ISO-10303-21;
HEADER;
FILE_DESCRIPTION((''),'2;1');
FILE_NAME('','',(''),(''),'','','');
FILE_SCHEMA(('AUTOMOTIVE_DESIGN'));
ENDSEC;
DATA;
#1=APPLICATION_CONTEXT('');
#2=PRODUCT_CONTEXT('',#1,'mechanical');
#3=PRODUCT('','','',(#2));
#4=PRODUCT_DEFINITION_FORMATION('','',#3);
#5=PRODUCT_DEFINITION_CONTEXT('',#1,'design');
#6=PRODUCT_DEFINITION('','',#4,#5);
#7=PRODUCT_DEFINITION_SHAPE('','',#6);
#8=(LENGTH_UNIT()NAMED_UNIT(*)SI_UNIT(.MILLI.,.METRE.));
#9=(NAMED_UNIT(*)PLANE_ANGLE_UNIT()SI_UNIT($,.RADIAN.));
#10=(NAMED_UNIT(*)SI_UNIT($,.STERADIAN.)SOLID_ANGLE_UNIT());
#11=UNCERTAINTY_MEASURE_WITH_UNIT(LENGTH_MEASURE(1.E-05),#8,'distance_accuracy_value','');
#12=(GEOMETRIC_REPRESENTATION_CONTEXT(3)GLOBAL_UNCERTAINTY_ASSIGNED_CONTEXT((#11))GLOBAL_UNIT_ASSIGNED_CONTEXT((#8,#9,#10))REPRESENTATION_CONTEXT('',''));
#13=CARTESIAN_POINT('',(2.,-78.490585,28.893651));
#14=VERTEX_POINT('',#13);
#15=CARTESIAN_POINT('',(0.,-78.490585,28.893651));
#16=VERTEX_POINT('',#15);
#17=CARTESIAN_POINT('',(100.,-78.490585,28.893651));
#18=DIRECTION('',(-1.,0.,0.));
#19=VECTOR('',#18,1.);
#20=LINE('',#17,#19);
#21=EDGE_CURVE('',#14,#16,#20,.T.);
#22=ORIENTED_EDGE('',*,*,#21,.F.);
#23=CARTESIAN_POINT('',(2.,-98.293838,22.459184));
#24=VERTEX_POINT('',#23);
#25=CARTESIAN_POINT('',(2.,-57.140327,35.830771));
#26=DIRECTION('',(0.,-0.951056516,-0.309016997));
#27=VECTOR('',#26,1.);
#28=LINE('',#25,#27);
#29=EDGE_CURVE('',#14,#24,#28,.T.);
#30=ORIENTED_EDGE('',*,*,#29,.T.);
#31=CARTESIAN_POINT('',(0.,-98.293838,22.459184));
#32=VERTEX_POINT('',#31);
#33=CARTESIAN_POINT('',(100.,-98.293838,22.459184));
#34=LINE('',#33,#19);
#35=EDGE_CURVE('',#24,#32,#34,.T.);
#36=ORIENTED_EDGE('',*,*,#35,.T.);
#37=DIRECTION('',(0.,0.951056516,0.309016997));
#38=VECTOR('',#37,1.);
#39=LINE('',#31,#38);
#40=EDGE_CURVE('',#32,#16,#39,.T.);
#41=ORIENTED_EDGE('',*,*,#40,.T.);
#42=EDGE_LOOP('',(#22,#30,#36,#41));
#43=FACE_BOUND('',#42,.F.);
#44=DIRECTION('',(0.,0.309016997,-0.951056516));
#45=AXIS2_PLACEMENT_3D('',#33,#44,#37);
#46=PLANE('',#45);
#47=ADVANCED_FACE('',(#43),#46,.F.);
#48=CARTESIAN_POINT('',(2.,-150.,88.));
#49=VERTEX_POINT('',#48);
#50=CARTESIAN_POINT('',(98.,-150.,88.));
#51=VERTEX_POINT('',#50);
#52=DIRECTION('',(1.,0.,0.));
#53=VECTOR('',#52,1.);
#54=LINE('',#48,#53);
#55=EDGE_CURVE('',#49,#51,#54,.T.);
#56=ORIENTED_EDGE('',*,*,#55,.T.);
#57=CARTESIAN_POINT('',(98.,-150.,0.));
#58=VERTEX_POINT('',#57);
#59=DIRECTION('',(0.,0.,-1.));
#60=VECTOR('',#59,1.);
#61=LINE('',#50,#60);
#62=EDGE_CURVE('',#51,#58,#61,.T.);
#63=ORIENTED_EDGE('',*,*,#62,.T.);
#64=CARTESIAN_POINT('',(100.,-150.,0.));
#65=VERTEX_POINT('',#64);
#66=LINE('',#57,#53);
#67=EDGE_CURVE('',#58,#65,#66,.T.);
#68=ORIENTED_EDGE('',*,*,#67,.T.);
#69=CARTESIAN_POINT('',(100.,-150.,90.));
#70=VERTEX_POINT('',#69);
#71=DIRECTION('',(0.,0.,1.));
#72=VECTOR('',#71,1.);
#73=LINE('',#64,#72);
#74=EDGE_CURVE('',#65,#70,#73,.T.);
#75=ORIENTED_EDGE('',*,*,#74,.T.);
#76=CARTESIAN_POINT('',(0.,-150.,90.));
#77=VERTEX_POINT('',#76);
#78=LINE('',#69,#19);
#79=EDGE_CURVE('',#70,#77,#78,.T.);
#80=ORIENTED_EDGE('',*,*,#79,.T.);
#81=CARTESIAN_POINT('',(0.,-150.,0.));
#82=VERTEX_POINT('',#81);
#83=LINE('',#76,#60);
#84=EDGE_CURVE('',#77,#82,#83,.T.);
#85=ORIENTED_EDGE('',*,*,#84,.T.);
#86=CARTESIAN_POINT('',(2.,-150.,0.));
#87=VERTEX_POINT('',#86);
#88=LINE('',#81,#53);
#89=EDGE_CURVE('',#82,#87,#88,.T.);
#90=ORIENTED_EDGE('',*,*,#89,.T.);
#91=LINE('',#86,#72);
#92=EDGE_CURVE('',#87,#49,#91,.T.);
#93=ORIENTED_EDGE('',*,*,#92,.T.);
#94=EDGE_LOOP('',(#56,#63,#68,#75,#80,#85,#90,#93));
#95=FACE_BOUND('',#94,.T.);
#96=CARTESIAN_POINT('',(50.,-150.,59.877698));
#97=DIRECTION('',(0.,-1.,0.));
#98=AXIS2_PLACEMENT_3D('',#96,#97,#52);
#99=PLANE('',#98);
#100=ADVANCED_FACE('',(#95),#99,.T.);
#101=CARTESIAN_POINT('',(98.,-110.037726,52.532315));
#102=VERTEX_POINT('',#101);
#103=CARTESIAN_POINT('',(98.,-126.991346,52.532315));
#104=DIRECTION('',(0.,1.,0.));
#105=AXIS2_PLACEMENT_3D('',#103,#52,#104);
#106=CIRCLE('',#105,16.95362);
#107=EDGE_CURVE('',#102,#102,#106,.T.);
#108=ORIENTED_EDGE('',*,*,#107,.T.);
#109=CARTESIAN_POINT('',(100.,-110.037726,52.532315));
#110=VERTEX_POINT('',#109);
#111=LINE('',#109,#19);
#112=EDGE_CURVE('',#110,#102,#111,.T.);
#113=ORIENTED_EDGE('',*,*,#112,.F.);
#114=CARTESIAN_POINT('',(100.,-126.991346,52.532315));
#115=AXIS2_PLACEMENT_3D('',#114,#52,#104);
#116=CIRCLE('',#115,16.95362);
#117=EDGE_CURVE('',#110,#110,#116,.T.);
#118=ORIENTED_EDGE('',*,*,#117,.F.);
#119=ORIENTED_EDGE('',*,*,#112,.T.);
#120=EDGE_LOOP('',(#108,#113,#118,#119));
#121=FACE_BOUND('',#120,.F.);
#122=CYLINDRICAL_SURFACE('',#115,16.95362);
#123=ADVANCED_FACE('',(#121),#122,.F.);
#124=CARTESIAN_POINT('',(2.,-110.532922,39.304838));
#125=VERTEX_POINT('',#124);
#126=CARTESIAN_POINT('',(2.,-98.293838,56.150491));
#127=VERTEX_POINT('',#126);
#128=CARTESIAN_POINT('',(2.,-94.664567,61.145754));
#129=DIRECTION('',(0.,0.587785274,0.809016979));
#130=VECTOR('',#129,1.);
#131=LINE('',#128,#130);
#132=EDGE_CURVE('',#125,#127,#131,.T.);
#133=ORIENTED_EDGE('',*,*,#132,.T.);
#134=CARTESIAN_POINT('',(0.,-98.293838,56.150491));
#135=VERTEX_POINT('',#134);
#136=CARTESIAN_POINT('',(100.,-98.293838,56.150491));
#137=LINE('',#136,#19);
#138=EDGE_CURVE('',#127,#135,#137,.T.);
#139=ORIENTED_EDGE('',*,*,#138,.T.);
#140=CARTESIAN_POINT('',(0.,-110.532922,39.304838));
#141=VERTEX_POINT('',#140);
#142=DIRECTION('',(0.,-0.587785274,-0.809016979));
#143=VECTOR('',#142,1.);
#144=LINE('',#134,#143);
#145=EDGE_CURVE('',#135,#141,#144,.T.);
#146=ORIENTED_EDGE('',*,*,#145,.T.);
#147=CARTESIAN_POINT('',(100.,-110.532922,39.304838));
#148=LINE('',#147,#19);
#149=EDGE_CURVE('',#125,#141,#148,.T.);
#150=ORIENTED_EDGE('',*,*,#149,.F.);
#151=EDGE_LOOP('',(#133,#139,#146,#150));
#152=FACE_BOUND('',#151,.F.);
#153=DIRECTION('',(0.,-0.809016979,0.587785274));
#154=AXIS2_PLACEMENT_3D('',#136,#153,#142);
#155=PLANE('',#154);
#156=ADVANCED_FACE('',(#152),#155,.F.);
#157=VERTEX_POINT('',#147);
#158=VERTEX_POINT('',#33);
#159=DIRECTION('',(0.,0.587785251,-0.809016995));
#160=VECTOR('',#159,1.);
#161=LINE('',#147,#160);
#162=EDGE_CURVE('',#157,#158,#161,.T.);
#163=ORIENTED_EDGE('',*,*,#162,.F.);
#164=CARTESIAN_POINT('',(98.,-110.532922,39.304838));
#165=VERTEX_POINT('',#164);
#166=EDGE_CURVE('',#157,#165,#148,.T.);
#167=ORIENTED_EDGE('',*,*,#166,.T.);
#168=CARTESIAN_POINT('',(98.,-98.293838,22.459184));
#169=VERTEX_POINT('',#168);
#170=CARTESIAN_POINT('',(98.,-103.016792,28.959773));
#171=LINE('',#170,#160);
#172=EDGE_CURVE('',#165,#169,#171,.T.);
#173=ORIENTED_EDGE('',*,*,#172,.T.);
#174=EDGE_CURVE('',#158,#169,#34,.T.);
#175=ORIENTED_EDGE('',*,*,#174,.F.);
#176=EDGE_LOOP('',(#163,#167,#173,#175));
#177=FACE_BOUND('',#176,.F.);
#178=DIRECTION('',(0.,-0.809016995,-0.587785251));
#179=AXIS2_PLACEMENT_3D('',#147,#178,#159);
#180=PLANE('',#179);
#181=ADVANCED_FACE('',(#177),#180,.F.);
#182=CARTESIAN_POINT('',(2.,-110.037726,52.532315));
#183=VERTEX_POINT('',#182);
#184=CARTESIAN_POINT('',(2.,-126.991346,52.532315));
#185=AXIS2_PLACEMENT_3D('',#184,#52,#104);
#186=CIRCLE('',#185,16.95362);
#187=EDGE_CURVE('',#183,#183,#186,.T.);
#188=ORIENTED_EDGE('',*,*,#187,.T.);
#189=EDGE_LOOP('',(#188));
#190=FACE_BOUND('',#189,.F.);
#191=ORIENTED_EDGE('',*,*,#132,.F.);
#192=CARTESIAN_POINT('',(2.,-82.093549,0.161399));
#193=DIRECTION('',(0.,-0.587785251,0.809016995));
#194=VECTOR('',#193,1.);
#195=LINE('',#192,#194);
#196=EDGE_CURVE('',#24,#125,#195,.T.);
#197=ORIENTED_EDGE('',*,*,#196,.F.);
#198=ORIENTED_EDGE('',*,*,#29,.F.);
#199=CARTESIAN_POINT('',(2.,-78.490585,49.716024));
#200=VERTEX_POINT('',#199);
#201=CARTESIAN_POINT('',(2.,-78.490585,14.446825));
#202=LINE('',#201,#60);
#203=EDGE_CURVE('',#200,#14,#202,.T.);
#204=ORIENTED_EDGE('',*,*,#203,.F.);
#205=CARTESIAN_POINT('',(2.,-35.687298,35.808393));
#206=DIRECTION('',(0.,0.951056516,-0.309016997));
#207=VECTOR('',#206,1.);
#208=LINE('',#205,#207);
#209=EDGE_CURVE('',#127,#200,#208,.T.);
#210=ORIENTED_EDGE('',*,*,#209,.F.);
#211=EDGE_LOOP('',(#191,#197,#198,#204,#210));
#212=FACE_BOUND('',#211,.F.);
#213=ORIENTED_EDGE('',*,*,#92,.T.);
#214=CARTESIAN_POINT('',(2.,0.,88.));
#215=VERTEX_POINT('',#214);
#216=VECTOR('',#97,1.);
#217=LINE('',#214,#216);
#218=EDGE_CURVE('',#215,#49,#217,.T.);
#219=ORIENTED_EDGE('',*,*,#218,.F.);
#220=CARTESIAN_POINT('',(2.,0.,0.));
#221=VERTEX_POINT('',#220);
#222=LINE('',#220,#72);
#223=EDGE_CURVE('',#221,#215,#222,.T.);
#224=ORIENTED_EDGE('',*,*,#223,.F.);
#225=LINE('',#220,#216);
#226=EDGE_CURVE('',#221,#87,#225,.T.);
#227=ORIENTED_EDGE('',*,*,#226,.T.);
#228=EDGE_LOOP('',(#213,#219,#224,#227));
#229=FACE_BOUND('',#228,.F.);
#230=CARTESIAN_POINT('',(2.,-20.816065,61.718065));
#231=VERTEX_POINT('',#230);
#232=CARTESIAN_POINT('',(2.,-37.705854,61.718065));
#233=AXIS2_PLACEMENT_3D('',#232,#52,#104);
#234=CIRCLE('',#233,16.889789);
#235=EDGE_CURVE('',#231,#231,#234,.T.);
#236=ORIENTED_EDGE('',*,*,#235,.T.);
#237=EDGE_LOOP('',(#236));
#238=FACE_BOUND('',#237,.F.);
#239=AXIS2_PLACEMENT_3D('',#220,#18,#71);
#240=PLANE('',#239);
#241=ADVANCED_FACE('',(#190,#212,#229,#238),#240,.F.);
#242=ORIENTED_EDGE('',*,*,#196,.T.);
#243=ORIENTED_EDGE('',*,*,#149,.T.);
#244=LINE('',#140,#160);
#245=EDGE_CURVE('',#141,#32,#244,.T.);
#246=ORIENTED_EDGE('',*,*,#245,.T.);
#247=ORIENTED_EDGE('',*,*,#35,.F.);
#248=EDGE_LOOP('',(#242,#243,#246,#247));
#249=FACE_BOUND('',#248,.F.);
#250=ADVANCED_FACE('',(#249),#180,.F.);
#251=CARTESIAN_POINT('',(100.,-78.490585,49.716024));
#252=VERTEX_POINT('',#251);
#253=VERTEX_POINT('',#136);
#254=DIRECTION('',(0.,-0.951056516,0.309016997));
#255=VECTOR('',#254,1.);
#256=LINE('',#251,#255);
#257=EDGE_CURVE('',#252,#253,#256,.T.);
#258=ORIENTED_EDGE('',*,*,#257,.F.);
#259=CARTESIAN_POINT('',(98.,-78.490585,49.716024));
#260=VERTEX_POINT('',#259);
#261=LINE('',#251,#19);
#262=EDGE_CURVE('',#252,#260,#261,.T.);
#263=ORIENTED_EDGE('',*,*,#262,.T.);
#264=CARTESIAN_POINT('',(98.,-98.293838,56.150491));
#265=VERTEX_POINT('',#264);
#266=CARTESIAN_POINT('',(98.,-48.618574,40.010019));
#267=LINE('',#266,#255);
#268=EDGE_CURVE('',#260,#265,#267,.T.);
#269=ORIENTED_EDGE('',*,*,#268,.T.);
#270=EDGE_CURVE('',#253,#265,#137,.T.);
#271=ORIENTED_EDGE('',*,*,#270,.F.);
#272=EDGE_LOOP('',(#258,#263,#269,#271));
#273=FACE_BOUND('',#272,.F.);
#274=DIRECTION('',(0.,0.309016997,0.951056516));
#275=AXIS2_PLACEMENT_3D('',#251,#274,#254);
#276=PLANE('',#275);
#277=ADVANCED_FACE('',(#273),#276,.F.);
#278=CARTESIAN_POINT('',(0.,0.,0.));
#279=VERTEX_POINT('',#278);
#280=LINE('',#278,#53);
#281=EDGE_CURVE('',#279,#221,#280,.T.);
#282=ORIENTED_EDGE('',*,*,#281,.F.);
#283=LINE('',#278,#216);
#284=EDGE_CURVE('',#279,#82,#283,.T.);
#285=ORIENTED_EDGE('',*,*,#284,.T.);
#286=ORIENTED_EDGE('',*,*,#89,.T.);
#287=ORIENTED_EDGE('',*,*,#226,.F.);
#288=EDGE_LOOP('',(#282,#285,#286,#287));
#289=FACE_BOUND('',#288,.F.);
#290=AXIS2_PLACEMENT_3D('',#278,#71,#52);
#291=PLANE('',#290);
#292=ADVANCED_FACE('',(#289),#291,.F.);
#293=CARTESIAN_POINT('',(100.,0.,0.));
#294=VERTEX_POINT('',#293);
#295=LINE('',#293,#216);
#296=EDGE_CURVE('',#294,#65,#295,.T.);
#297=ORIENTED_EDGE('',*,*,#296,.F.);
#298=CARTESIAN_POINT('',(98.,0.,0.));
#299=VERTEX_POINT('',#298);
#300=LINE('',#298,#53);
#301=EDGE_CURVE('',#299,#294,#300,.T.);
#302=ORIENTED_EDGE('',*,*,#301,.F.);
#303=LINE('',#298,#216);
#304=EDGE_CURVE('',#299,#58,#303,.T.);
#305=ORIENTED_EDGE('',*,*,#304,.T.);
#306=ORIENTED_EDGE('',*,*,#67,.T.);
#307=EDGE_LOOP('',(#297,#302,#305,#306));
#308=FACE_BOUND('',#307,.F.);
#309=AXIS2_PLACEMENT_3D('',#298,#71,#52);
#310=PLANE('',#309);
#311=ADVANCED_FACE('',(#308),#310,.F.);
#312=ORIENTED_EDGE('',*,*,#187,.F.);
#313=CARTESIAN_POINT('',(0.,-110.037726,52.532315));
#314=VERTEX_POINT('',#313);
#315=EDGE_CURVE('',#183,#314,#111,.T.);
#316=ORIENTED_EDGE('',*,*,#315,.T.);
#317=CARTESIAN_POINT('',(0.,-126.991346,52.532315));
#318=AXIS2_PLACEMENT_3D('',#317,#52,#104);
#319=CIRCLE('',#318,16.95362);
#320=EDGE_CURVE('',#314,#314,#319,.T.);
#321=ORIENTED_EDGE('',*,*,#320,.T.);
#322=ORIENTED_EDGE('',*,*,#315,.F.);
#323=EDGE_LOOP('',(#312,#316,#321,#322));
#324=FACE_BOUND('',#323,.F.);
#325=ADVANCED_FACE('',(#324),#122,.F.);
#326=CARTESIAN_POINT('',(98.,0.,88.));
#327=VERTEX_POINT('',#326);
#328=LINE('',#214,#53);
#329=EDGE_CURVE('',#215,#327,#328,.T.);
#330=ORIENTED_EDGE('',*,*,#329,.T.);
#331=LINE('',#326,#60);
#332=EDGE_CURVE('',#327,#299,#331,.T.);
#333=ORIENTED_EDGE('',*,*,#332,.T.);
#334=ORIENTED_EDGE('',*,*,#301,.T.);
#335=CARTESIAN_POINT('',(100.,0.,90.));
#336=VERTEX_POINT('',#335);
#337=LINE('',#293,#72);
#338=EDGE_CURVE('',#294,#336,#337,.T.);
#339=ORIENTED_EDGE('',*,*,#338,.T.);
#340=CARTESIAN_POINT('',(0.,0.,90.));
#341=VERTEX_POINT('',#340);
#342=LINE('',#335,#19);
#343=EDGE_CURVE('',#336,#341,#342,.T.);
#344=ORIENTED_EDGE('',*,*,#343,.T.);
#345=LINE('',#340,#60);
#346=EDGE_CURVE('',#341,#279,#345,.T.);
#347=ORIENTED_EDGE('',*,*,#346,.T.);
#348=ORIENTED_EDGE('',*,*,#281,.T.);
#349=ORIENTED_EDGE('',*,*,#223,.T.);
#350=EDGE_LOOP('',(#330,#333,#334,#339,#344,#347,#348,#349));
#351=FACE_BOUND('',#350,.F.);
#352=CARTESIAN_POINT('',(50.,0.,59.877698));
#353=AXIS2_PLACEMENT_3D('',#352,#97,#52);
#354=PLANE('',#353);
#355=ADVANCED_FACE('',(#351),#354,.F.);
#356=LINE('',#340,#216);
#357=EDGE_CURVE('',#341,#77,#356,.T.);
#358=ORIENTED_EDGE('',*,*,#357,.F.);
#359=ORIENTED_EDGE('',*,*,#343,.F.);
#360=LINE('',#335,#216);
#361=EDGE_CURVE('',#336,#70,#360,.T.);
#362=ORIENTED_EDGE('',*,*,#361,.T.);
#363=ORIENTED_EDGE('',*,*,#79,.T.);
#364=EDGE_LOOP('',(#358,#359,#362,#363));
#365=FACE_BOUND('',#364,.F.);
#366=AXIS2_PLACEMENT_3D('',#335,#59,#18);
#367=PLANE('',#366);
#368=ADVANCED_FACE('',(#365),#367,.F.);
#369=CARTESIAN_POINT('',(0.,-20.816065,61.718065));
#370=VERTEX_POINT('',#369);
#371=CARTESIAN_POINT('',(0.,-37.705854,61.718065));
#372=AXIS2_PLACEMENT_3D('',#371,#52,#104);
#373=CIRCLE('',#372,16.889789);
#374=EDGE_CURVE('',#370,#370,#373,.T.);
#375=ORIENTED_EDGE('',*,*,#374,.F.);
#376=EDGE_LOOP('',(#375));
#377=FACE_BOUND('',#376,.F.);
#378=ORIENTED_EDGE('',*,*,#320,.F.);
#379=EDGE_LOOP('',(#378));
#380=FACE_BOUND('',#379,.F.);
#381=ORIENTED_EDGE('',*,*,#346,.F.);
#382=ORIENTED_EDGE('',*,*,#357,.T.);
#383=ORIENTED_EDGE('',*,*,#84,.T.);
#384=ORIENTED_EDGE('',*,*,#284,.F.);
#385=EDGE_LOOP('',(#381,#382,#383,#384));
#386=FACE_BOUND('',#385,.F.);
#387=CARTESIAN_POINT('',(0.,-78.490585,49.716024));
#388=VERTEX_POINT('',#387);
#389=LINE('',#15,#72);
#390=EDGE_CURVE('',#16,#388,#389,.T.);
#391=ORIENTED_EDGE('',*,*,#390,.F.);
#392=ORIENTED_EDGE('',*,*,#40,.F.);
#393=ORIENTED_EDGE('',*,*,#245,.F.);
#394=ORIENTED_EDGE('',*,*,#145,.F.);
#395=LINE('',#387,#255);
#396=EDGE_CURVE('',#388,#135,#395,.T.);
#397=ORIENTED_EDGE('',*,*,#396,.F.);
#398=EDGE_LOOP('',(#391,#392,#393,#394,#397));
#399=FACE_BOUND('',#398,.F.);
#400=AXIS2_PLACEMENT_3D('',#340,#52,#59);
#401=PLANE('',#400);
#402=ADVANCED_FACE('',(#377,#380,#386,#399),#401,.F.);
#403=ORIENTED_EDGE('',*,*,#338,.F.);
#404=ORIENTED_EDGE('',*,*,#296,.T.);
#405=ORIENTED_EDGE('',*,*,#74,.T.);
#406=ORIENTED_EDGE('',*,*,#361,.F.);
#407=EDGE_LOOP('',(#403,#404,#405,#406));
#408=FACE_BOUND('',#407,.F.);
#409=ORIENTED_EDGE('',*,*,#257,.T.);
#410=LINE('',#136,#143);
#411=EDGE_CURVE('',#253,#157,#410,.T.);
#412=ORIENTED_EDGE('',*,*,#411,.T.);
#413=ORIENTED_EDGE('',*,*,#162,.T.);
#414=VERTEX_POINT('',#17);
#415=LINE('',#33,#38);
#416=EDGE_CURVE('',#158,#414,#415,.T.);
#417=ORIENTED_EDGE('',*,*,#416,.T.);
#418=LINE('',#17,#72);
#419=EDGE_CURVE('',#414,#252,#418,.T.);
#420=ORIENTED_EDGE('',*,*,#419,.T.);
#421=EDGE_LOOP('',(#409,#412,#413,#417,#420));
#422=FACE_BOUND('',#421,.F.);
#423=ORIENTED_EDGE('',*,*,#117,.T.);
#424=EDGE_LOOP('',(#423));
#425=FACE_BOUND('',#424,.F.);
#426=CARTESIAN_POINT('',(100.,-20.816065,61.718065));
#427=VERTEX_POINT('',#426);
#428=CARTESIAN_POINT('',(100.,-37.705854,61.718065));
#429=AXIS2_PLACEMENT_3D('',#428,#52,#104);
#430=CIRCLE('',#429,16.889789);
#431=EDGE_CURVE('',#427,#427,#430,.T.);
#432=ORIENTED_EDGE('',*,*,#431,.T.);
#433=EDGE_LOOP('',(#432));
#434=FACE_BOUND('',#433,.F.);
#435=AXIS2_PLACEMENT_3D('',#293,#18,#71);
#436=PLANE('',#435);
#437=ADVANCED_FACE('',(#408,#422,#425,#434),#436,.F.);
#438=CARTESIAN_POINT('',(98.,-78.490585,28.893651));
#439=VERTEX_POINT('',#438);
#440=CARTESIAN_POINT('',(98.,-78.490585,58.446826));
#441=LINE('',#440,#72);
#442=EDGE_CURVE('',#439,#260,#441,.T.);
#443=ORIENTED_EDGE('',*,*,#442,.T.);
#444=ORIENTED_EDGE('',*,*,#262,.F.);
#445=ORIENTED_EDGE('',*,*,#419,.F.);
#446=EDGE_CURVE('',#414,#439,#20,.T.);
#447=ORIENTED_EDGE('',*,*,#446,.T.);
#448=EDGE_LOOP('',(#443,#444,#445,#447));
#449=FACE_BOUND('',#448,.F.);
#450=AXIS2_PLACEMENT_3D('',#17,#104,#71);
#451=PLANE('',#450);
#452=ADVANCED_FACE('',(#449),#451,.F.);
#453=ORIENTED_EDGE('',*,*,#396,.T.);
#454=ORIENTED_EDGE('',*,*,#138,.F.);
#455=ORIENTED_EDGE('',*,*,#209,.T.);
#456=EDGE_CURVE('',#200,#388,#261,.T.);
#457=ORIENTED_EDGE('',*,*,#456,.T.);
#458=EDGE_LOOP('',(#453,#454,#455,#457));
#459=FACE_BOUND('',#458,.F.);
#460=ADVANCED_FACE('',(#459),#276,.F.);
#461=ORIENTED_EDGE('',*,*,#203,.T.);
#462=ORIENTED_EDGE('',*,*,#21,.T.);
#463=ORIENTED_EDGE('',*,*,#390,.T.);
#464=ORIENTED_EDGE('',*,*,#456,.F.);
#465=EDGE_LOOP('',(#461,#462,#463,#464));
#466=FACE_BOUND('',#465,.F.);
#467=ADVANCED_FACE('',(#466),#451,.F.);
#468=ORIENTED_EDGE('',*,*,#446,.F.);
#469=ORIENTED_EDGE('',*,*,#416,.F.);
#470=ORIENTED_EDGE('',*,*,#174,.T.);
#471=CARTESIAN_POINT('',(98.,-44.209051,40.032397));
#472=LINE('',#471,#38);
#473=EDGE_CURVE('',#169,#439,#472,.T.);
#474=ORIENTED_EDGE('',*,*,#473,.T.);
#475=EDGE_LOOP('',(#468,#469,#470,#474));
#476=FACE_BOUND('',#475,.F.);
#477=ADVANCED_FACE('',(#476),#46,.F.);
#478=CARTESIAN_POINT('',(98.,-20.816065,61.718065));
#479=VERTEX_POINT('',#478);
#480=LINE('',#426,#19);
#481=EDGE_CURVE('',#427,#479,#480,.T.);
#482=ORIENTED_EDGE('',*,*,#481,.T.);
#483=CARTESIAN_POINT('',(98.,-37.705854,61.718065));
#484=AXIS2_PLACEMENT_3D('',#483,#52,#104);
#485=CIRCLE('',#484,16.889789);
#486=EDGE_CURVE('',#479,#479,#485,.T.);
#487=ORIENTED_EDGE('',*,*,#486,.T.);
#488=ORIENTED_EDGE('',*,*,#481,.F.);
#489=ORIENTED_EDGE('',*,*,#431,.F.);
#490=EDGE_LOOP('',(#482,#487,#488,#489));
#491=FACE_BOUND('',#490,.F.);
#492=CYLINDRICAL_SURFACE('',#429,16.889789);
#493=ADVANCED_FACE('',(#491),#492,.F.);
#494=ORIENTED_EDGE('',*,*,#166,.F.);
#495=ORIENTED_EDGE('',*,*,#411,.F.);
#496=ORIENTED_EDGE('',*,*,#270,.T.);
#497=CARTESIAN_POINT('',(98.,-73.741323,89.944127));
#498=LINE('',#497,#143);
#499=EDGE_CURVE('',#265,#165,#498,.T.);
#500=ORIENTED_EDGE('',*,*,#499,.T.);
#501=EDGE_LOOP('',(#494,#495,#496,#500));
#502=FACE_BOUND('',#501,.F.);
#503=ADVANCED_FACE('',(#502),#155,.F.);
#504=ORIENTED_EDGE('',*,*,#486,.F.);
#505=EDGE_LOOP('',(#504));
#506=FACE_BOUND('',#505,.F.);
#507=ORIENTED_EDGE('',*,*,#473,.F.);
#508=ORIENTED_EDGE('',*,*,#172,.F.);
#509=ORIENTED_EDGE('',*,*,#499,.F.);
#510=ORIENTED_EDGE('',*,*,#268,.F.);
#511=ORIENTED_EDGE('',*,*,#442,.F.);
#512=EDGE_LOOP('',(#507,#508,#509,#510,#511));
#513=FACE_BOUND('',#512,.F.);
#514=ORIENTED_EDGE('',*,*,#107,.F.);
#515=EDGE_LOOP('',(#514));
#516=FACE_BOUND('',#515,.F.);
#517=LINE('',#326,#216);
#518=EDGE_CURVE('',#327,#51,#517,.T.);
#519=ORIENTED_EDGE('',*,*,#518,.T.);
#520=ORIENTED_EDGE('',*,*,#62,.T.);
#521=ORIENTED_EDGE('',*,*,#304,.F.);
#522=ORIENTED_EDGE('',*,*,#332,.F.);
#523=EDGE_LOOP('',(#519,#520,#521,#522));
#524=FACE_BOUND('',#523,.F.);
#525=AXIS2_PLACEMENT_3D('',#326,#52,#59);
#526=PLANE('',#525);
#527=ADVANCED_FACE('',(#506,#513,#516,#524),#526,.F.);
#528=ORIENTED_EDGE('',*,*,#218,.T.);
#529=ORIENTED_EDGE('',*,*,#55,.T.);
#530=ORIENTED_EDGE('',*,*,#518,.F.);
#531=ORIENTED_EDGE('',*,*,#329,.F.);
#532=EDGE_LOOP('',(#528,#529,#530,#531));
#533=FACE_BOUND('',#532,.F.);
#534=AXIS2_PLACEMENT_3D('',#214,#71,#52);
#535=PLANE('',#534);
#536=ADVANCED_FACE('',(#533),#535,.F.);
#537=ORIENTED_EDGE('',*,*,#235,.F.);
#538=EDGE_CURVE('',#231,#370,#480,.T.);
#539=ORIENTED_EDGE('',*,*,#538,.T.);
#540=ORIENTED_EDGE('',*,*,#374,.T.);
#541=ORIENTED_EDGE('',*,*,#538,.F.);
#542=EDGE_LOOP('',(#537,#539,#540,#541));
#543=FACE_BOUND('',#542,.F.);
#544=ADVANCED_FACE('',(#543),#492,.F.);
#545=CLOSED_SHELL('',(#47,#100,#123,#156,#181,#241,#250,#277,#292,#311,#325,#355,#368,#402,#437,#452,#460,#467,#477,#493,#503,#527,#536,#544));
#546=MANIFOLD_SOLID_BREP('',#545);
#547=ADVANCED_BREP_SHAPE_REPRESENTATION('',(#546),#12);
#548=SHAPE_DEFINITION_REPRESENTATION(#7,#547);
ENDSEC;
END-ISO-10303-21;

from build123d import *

# Parameters (mm, degrees)
F1_DEPTH = 150
F2_R     = 16.95362
F2_R_2   = 16.889789
F3_DEPTH = 100


with BuildPart() as f1:
    # F0 (on Front) → F1 (new body)
    with BuildSketch(Plane.XZ):
        Polygon((0, 90), (0, 0), (2, 0), (2, 88), (98, 88), (98, 0), (100, 0), (100, 90), align=None)
    extrude(amount=F1_DEPTH)

    # F2 (on face) → F3 (cut)
    with BuildSketch(Plane.YZ.offset(100)):
        with Locations((-126.991346, 52.532315)):
            Circle(F2_R)
        with Locations((-37.705854, 61.718065)):
            Circle(F2_R_2)
        Polygon((-78.490585, 28.893651), (-78.490585, 49.716024), (-98.293838, 56.150491), (-110.532922, 39.304838), (-98.293838, 22.459184), align=None)
    extrude(amount=-F3_DEPTH, mode=Mode.SUBTRACT)


solid = f1.part
